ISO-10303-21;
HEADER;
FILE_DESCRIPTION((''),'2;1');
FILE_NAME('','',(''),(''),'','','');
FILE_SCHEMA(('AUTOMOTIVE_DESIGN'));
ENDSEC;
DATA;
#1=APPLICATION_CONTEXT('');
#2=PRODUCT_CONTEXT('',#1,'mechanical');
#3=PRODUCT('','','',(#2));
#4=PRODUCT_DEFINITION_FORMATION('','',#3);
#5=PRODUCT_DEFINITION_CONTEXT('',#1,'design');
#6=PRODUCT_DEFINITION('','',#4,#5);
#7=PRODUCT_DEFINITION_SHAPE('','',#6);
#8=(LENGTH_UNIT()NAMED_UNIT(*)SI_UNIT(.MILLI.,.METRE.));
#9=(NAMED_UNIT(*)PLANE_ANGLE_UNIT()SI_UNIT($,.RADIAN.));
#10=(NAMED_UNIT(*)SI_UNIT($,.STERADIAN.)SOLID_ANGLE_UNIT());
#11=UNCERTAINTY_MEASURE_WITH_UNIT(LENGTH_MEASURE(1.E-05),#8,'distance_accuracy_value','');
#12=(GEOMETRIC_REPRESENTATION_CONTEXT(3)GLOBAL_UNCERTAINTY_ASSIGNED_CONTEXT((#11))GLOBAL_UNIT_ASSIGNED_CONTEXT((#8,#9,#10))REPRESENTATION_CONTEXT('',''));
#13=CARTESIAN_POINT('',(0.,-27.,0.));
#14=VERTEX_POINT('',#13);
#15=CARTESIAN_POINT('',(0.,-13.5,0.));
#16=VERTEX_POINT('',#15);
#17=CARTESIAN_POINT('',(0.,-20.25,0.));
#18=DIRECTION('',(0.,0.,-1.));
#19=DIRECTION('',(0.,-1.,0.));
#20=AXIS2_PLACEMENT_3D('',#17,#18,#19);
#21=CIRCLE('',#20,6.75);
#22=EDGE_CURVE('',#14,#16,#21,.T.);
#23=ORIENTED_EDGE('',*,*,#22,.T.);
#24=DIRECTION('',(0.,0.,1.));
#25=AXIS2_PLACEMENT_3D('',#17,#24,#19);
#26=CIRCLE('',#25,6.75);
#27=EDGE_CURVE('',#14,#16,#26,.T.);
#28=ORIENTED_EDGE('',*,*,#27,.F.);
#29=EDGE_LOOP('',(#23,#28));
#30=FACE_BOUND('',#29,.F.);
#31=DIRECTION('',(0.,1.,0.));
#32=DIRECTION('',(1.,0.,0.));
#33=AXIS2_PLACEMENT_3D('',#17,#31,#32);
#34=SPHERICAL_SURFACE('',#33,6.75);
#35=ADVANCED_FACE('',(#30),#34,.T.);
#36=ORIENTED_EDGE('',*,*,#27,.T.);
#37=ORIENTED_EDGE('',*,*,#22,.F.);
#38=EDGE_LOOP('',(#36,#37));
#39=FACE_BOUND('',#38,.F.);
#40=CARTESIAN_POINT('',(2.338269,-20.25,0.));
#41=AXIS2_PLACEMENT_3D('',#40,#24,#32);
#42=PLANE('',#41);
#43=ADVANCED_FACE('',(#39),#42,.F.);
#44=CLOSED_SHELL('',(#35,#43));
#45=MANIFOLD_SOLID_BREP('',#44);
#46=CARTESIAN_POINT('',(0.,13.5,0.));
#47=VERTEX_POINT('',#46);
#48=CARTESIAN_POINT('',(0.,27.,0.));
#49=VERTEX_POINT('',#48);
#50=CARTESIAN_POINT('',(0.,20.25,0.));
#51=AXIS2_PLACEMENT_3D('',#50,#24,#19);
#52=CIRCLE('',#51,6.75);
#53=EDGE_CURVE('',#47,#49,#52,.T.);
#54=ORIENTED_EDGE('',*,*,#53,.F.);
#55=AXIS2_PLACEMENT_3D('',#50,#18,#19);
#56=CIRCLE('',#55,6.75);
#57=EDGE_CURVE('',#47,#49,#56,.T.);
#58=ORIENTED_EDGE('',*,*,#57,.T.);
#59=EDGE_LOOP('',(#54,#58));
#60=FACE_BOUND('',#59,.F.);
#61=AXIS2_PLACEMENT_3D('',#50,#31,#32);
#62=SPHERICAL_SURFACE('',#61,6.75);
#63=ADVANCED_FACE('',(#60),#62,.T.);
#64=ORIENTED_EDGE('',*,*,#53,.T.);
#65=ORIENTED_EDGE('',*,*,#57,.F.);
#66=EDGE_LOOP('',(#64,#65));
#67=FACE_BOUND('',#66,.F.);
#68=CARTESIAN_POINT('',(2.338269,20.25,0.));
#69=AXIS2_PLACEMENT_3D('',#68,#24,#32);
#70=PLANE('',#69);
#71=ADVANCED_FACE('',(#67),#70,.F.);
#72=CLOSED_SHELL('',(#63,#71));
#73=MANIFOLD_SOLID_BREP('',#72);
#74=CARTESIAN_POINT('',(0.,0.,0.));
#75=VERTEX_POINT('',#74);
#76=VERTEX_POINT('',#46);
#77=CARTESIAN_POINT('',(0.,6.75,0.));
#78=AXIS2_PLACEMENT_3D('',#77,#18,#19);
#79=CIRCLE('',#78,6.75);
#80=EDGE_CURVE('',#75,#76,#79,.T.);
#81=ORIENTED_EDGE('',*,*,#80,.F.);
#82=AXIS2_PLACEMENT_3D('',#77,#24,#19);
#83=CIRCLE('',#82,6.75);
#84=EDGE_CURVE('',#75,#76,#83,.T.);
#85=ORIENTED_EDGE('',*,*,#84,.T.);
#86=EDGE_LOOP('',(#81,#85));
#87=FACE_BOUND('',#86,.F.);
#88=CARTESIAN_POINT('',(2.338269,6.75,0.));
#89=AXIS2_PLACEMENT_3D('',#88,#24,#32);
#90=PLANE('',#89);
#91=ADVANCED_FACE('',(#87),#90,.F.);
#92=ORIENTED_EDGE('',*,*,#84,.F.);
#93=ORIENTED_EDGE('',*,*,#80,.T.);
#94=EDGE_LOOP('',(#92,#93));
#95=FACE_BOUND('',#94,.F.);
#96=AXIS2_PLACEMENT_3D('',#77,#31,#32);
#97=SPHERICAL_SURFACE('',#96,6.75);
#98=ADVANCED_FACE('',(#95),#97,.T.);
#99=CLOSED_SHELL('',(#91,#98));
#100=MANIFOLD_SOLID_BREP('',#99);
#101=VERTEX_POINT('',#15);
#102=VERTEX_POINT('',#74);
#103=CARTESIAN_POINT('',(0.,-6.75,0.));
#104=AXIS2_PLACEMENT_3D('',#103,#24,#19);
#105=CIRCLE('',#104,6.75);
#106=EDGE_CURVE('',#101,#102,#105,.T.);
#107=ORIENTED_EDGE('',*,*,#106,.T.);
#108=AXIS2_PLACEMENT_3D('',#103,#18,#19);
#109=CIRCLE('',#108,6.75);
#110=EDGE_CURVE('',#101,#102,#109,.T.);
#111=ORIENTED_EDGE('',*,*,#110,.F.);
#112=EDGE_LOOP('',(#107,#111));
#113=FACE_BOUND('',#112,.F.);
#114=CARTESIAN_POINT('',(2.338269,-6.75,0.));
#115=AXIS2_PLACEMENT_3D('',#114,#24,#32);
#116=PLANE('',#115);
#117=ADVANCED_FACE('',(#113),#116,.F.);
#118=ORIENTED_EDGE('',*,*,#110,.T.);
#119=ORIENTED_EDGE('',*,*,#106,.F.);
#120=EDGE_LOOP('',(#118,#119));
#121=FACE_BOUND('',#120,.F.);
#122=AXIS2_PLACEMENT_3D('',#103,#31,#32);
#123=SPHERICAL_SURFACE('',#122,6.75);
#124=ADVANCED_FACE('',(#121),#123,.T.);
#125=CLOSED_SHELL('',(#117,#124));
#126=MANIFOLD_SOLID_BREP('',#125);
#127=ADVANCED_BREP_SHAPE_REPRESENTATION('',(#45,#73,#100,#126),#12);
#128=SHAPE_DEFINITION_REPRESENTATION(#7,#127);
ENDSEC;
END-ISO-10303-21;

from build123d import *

# Parameters (mm, degrees)
F1_ANGLE = -180


with BuildPart() as f1:
    # F0 (on Top) → F1 (revolve)
    with BuildSketch(Plane.XY):
        with BuildLine():
            Line((0, 27), (0, 13.5))
            ThreePointArc((0, 13.5), (6.75, 20.25), (0, 27))
        make_face()
        with BuildLine():
            Line((0, 13.5), (0, 0))
            ThreePointArc((0, 0), (6.75, 6.75), (0, 13.5))
        make_face()
        with BuildLine():
            ThreePointArc((0, -13.5), (6.75, -6.75), (0, 0))
            Line((0, 0), (0, -13.5))
        make_face()
        with BuildLine():
            ThreePointArc((0, -27), (6.75, -20.25), (0, -13.5))
            Line((0, -13.5), (0, -27))
        make_face()
    revolve(axis=Axis((0, 6.75, 0), (0, 1, 0)), revolution_arc=F1_ANGLE)


solid = f1.part
